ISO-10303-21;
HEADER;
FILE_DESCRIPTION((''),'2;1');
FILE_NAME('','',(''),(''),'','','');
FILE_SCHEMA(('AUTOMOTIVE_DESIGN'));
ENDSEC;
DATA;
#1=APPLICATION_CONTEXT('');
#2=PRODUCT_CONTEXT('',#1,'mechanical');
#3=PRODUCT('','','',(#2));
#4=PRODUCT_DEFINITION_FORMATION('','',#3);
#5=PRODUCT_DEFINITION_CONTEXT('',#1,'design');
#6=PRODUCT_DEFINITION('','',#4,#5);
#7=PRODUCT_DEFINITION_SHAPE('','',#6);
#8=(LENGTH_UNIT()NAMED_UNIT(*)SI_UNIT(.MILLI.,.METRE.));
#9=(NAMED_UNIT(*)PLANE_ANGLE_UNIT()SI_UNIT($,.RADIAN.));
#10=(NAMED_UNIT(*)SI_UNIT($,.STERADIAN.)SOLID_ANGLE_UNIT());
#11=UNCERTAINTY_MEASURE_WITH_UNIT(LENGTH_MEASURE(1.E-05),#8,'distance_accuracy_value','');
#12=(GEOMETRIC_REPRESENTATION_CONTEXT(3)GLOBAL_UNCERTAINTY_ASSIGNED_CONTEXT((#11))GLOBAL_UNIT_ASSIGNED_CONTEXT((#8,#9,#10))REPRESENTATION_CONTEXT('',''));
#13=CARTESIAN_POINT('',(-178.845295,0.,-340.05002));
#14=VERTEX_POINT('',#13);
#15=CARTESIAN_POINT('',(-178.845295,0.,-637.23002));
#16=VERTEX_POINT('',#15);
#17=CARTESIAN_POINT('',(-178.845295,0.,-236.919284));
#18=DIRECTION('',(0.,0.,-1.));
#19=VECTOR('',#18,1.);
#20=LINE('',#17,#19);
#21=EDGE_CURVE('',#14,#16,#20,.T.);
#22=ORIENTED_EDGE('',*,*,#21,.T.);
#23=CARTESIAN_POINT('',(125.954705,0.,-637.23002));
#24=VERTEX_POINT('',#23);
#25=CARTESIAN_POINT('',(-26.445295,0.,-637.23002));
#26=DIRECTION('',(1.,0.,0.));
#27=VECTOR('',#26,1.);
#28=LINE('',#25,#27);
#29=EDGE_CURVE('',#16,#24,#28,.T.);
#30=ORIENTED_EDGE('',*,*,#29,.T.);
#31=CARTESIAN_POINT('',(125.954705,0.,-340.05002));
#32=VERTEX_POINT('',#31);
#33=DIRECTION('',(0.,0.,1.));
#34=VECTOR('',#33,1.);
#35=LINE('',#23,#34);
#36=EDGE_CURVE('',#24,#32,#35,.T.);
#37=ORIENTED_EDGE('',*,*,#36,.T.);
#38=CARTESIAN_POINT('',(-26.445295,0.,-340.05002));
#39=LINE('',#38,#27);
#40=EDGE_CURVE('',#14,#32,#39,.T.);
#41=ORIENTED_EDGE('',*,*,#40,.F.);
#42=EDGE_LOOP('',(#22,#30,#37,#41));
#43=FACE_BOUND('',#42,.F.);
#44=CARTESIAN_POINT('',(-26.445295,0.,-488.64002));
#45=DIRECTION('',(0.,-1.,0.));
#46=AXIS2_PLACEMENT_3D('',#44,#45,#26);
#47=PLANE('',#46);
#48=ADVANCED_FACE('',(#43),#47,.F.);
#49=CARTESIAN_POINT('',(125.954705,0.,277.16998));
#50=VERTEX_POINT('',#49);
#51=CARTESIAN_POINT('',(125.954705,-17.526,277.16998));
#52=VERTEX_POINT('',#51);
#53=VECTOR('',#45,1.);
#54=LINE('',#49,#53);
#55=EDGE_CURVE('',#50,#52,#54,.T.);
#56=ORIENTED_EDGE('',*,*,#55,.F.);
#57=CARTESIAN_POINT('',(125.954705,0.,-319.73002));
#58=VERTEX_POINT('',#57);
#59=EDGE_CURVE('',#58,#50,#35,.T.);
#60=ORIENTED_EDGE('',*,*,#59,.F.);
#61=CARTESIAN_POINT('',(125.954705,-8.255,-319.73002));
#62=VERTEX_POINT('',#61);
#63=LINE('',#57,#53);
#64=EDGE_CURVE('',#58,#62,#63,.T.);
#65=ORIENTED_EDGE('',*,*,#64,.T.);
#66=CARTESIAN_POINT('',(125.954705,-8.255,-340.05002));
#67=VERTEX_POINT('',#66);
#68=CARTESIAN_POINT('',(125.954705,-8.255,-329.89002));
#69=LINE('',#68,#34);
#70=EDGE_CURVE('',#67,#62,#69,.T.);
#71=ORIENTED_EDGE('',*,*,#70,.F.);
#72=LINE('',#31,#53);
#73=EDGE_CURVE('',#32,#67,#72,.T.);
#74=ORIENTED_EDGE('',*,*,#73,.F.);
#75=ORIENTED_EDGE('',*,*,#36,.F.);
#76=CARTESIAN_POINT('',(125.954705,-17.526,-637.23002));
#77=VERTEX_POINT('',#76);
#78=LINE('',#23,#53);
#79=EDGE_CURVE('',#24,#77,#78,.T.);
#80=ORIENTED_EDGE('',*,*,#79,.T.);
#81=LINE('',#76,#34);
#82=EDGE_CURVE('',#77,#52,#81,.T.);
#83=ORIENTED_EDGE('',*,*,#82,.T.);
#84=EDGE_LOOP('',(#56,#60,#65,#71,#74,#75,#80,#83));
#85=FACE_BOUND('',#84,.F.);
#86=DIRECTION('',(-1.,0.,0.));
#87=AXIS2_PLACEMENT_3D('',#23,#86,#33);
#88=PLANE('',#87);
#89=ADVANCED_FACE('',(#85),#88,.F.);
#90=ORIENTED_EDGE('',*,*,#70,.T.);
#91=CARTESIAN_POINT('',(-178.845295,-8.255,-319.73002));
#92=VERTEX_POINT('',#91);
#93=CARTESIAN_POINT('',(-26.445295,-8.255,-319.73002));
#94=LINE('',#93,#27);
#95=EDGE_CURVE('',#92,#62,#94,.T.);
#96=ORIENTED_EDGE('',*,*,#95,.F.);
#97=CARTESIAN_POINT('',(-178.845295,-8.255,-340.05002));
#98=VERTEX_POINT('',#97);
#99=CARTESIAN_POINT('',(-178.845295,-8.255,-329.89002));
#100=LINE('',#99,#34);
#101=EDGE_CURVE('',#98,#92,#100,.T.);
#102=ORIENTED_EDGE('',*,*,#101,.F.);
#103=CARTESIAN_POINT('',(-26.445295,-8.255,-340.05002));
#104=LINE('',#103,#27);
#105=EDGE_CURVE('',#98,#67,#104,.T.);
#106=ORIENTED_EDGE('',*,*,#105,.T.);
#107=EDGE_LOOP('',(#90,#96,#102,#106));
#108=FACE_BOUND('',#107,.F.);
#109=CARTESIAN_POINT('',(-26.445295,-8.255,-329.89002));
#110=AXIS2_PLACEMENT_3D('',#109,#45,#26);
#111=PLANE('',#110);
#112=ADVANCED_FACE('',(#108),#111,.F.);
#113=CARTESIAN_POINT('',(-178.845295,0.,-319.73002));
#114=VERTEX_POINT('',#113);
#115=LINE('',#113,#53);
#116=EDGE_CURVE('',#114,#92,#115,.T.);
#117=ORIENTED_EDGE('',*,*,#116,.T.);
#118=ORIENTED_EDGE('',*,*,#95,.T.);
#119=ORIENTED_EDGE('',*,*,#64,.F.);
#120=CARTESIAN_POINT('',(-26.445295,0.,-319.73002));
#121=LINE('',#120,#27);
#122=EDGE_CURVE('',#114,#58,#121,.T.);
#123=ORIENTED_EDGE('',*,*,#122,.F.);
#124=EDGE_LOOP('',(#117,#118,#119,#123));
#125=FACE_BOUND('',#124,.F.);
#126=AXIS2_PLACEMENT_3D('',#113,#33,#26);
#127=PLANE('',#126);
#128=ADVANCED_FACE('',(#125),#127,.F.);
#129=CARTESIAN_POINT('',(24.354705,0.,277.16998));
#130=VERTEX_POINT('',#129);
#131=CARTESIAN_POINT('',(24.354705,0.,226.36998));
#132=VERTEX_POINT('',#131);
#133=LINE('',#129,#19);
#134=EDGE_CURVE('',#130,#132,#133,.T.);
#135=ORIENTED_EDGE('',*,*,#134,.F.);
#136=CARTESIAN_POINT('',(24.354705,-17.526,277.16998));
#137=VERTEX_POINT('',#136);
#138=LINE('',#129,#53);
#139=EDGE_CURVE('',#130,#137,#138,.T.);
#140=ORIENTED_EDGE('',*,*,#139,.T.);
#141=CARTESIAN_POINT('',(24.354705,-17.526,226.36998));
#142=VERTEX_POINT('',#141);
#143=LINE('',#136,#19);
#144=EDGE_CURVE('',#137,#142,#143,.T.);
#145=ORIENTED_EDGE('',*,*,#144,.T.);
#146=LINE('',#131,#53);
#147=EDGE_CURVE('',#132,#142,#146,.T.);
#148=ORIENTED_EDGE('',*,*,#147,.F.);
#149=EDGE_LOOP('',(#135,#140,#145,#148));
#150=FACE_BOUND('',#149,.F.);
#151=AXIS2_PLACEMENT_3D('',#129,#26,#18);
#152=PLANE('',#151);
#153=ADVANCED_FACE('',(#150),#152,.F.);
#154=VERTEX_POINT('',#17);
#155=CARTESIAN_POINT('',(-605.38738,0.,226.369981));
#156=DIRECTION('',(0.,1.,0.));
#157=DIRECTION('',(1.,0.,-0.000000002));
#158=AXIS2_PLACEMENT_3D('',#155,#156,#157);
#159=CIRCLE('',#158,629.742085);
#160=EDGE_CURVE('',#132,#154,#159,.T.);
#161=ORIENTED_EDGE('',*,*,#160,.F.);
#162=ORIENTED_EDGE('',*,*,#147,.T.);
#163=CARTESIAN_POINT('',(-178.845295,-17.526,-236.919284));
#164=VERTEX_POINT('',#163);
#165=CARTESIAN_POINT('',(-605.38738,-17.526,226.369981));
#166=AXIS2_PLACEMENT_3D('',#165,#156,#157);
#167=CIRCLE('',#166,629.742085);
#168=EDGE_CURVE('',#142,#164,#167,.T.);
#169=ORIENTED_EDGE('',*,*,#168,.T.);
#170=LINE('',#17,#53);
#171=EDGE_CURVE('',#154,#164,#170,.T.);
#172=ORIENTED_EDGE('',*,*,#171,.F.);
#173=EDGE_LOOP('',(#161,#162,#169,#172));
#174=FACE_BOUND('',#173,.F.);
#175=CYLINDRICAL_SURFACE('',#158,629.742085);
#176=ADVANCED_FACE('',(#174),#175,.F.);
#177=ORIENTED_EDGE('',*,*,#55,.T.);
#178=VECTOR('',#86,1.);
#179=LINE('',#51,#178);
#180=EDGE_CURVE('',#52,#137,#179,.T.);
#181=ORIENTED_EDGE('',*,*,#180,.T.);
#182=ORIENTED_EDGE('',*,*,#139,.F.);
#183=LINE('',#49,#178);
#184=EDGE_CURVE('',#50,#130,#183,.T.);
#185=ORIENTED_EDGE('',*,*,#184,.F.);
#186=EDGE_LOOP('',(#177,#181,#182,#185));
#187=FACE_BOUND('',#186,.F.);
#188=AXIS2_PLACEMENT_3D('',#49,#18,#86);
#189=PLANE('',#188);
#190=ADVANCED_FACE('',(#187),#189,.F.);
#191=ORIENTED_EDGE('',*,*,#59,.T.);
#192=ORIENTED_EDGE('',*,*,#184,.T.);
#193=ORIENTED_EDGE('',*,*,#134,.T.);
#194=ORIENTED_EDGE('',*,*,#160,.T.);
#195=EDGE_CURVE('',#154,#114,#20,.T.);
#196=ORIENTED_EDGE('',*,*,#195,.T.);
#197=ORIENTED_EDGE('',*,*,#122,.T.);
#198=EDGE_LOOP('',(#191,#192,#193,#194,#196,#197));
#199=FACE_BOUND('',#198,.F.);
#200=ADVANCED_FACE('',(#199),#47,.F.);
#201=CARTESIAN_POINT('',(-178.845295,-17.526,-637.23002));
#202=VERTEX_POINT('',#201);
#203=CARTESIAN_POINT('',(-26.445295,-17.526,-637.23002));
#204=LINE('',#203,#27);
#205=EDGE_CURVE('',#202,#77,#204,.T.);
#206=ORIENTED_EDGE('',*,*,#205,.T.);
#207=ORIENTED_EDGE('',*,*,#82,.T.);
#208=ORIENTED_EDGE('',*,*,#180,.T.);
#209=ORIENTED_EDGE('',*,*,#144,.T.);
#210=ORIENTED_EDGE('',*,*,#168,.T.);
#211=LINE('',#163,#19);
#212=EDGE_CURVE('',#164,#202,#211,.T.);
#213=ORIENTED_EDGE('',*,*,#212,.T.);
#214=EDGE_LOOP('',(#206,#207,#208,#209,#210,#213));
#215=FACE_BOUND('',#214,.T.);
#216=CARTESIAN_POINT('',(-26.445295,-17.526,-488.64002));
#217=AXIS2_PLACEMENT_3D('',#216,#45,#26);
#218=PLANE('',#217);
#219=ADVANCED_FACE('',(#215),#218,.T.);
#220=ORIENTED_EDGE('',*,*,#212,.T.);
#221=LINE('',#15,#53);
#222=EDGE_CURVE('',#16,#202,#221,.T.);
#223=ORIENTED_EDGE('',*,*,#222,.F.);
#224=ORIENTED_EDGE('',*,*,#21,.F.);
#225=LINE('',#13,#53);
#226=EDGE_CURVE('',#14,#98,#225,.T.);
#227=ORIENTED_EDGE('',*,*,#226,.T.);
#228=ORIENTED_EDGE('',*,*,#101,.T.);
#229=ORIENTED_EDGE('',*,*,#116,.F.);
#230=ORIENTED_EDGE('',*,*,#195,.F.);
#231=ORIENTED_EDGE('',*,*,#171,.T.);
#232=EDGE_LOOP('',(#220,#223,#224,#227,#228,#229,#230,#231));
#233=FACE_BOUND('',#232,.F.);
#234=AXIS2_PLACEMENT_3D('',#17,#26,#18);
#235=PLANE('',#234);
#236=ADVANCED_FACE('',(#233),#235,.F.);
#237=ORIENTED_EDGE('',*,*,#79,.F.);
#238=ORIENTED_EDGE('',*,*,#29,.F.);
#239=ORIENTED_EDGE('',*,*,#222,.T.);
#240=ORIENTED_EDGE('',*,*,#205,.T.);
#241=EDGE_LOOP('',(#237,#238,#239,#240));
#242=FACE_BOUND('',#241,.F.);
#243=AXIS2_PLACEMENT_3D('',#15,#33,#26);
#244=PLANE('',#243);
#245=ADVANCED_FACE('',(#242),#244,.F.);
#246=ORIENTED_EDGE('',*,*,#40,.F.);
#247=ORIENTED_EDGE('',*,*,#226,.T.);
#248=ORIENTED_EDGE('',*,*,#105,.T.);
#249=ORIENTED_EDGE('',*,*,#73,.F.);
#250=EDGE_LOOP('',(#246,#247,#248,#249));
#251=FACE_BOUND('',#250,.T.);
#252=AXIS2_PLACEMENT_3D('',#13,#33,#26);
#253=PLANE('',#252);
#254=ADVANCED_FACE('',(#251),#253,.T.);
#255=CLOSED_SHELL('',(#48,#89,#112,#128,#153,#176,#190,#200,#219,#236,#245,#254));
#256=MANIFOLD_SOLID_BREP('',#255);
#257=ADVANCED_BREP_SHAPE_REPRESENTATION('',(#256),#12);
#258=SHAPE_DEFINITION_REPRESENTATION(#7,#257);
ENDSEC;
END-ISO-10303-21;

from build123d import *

# Parameters (mm, degrees)
F0_W     = 304.8
F0_H     = 297.18
F0_H_2   = 20.32
F1_DEPTH = 17.526
F2_DEPTH = 8.255


with BuildPart() as f1:
    # F0 (on Front) → F1 (new body)
    with BuildSketch(Plane.XZ):
        with Locations((-26.445295, -488.64002)):
            Rectangle(F0_W, F0_H)
        with Locations((-26.445295, -329.89002)):
            Rectangle(F0_W, F0_H_2)
        with BuildLine():
            Line((-178.845295, -299.41002), (-178.845295, -319.73002))
            Line((-178.845295, -319.73002), (125.954705, -319.73002))
            Line((125.954705, -319.73002), (125.954705, -299.41002))
            Line((125.954705, -299.41002), (125.954705, -278.324652))
            Line((125.954705, -278.324652), (125.954705, -258.004652))
            Line((125.954705, -258.004652), (125.954705, 277.16998))
            Line((125.954705, 277.16998), (24.354705, 277.16998))
            Line((24.354705, 277.16998), (24.354705, 226.36998))
            ThreePointArc((24.354705, 226.36998), (-28.678357, -26.576251), (-178.845295, -236.919284))
            Line((-178.845295, -236.919284), (-178.845295, -258.004652))
            Line((-178.845295, -258.004652), (-178.845295, -299.41002))
        make_face()
    extrude(amount=F1_DEPTH)

    # F0 (on Front) → F2 (cut)
    with BuildSketch(Plane.XZ):
        with Locations((-26.445295, -329.89002)):
            Rectangle(F0_W, F0_H_2)
    extrude(amount=F2_DEPTH, mode=Mode.SUBTRACT)


solid = f1.part
